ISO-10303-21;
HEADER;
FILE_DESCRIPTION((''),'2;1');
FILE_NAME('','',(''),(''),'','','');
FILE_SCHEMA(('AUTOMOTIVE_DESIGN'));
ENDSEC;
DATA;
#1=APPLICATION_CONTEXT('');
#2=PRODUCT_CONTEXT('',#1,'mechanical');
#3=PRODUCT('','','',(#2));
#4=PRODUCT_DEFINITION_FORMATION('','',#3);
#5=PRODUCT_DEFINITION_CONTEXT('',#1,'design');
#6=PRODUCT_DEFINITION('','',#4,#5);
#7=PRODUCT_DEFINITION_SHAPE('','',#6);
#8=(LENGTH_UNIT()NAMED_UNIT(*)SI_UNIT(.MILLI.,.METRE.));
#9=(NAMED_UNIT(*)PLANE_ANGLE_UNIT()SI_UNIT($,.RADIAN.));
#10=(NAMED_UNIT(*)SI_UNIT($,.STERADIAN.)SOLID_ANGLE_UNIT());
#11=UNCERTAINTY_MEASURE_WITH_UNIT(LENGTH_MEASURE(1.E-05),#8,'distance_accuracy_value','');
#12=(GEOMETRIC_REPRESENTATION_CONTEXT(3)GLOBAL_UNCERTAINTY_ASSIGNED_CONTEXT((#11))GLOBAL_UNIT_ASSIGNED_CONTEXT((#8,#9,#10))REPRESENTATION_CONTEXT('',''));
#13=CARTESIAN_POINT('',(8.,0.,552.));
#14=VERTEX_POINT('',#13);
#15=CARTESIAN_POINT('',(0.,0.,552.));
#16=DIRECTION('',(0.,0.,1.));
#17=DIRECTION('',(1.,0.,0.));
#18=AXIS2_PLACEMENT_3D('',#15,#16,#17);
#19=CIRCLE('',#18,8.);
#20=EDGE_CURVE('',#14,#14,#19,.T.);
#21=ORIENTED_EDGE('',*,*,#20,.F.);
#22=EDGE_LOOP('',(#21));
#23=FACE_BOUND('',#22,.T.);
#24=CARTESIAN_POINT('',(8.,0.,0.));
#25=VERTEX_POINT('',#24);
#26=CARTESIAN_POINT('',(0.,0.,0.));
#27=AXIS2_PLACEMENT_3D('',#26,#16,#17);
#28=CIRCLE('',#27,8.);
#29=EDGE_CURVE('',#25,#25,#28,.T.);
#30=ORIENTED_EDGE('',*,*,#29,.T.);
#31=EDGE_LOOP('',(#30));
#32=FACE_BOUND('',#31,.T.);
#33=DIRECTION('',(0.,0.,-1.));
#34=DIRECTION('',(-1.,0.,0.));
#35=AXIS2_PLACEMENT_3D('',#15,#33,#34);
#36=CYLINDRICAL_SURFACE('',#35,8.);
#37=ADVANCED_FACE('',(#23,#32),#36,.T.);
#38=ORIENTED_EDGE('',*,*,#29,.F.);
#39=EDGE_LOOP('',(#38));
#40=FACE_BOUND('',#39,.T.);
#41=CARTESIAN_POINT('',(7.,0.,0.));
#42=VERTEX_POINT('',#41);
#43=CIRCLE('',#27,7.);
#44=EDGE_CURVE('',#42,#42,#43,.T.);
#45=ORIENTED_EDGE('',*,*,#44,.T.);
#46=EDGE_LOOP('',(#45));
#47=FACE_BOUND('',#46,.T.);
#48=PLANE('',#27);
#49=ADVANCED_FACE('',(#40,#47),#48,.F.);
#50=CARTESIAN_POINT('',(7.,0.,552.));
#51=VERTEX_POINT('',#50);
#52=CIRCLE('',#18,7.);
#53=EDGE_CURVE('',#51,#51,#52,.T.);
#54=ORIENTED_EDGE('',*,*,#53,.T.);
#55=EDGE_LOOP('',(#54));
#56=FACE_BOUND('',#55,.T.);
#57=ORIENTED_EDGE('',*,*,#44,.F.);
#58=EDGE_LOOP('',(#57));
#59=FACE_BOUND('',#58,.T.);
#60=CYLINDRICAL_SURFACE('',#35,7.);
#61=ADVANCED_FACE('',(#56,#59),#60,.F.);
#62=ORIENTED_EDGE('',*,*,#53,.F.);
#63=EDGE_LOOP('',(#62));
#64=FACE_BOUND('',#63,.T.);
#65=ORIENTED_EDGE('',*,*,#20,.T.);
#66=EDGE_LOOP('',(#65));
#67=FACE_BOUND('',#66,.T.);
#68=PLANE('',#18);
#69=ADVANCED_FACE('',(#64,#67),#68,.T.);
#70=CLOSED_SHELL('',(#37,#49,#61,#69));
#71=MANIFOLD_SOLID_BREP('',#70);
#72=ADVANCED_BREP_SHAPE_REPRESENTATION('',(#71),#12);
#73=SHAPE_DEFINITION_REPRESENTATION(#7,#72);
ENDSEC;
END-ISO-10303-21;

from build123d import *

# Parameters (mm, degrees)
SKETCH_1_R      = 8
SKETCH_1_R_2    = 7
EXTRUDE_1_DEPTH = 552


with BuildPart() as part:
    # Эскиз1 → Бобышка-Вытянуть1 (new body)
    with BuildSketch(Plane.XY):
        Circle(SKETCH_1_R)
        Circle(SKETCH_1_R_2, mode=Mode.SUBTRACT)
    extrude(amount=EXTRUDE_1_DEPTH)


solid = part.part
